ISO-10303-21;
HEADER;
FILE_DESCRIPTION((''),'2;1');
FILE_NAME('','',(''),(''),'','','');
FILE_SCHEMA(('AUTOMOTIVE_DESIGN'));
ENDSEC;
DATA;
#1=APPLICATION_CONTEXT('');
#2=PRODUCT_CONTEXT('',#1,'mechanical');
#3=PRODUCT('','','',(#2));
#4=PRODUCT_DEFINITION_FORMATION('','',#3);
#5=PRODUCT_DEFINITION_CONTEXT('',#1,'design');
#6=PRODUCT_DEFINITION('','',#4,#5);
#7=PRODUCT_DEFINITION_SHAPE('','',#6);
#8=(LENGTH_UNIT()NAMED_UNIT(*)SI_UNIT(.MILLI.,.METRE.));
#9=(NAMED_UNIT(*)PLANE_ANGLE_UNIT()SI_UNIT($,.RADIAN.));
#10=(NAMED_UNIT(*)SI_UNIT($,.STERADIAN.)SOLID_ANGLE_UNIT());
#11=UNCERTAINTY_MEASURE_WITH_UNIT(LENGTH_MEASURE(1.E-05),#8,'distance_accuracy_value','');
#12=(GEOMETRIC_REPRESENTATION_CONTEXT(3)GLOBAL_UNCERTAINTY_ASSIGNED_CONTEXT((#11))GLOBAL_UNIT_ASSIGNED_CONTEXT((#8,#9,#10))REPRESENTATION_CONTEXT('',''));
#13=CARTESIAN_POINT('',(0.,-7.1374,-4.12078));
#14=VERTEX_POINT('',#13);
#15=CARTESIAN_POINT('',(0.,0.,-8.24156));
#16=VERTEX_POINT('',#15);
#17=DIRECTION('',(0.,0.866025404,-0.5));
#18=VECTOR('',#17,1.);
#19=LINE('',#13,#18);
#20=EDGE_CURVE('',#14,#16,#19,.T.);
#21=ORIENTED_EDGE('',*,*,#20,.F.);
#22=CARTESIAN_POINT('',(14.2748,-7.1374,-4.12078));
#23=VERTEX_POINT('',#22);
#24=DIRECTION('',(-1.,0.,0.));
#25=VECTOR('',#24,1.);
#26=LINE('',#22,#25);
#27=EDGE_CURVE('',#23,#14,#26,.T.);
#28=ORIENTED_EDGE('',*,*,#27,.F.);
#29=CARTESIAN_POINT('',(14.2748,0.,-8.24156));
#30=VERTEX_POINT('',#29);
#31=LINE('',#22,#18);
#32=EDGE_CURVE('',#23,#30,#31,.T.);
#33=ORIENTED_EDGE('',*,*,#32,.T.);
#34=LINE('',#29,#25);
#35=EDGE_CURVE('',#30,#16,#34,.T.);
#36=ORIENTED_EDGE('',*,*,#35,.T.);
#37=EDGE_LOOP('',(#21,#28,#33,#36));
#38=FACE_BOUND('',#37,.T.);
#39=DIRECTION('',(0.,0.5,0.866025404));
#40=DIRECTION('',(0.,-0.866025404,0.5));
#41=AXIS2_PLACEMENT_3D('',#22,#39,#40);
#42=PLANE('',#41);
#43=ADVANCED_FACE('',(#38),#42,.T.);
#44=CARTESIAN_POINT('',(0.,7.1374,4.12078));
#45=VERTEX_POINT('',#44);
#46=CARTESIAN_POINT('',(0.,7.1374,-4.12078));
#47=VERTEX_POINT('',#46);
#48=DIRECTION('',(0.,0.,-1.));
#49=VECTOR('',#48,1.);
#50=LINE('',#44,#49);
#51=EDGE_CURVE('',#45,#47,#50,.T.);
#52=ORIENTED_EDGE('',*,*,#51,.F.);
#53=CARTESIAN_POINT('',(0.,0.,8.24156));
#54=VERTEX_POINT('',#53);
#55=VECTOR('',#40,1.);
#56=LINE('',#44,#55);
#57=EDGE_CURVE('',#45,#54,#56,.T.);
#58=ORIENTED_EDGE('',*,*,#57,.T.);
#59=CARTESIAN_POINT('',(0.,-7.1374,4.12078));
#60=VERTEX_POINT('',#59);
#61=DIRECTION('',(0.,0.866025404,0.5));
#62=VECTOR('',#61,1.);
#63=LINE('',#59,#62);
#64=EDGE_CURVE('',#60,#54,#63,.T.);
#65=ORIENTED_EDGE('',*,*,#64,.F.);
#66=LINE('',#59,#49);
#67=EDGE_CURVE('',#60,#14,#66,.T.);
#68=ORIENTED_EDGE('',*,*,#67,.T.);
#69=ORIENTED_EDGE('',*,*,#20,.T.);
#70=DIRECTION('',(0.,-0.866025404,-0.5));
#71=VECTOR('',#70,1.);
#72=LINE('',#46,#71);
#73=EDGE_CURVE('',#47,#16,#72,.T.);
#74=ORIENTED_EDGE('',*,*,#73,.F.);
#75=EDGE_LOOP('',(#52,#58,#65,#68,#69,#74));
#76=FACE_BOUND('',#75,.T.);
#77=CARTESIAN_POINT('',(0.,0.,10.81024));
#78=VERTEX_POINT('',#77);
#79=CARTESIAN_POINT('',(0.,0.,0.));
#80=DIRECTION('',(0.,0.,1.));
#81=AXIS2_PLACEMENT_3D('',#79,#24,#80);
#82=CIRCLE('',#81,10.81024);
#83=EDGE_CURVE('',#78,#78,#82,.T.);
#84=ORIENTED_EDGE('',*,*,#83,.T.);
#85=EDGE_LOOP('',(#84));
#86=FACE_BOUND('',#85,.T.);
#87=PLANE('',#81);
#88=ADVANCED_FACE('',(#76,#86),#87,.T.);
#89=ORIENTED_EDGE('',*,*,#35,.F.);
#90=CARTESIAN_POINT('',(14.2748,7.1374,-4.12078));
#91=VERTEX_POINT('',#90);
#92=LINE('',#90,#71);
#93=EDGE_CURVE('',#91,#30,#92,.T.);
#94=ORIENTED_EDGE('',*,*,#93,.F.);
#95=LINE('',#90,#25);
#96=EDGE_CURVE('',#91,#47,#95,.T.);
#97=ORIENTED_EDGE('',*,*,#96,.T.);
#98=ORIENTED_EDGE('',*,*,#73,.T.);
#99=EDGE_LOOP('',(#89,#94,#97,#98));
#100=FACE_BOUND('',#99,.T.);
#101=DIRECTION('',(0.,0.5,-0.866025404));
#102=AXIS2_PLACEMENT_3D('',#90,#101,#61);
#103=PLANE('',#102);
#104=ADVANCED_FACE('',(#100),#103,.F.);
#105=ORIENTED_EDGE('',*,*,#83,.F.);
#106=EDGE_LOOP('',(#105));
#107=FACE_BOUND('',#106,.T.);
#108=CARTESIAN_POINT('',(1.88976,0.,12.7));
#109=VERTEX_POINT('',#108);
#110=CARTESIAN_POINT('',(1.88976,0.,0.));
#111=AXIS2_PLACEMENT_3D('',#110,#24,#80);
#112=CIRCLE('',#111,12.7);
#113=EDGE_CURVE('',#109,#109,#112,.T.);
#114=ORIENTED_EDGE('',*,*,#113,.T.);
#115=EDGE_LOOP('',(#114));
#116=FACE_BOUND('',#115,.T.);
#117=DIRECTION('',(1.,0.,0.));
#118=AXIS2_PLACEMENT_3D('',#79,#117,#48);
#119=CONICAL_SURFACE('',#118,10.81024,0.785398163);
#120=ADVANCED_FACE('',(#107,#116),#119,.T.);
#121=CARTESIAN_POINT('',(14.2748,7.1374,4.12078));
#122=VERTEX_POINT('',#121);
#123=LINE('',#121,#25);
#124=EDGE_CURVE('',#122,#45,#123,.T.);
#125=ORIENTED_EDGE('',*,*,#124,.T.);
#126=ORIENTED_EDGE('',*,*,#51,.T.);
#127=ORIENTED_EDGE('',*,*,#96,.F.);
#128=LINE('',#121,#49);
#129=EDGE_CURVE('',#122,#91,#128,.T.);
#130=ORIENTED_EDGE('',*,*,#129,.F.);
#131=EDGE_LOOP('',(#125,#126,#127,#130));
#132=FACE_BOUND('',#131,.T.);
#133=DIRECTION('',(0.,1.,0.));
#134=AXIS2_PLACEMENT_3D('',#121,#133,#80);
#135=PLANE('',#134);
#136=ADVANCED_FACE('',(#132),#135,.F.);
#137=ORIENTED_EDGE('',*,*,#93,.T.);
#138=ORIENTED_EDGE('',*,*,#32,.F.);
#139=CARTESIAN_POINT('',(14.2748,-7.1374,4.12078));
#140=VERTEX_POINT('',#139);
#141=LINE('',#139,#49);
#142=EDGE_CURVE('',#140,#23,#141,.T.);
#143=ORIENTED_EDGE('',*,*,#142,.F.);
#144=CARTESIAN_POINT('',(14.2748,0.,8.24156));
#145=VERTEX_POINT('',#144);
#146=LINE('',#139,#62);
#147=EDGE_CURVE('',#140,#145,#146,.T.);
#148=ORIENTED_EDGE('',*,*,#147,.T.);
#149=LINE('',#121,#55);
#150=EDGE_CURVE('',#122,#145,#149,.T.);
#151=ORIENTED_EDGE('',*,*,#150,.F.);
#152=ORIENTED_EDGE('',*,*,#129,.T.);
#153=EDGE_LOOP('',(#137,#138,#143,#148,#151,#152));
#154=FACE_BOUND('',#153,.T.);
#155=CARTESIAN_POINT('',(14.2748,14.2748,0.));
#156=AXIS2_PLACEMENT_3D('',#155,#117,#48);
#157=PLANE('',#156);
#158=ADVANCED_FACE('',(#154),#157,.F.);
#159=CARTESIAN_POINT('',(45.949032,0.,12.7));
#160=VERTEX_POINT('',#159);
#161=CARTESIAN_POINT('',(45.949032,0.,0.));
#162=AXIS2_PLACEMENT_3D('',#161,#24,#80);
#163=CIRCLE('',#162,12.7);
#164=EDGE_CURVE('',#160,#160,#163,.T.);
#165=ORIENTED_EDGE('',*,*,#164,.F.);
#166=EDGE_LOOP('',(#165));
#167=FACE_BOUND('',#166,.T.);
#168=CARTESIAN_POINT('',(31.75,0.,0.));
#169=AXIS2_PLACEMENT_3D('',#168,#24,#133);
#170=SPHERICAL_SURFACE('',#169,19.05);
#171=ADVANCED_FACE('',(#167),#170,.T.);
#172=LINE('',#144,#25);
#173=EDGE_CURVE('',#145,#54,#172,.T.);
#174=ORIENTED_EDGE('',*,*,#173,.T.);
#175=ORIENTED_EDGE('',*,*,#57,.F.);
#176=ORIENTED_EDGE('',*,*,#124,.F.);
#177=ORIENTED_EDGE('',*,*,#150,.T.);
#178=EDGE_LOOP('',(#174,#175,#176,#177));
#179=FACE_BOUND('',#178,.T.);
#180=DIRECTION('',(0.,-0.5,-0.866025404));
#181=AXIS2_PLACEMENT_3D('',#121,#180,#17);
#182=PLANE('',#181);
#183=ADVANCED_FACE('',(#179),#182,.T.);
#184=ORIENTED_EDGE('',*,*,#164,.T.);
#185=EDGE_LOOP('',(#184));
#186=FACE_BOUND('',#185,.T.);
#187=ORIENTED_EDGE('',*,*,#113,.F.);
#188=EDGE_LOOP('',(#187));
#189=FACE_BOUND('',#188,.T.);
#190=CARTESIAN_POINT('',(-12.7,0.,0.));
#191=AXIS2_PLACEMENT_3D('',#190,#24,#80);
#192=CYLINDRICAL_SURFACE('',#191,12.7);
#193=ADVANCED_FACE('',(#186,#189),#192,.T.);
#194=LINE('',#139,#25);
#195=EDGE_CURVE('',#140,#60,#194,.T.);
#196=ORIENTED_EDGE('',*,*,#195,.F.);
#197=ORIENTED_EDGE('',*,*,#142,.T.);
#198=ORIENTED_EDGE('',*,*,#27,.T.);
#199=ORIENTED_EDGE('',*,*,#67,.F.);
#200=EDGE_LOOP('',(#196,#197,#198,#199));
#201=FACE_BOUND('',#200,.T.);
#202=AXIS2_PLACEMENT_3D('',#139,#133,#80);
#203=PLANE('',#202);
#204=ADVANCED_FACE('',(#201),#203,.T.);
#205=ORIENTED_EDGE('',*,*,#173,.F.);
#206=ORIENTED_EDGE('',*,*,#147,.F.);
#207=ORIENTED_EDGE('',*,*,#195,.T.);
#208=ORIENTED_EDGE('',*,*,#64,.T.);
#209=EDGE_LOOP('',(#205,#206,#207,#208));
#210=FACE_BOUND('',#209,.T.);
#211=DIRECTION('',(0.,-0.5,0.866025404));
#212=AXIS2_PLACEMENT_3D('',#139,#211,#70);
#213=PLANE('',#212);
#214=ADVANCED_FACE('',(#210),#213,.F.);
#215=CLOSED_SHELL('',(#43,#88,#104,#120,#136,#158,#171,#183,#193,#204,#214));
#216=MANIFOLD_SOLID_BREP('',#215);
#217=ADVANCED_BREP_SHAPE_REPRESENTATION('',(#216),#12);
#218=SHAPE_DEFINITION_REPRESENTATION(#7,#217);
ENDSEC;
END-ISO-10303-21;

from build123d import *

# Parameters (mm, degrees)
HEX_2_DEPTH = 14.2748


with BuildPart() as part:
    # BodySke → BaseBody (revolve)
    with BuildSketch(Plane.XY, mode=Mode.PRIVATE) as basebody_sk:
        with BuildLine():
            Line((0, 0), (0, 10.81024))
            Line((0, 10.81024), (1.88976, 12.7))
            Line((1.88976, 12.7), (45.949031657, 12.7))
            ThreePointArc((45.949031657, 12.7), (49.545983438, 6.79746081), (50.8, 0))
            Line((50.8, 0), (0, 0))
        make_face()
    revolve(basebody_sk.sketch.rotate(Axis((-12.7, 0, 0), (1, 0, 0)), 90), axis=Axis((-12.7, 0, 0), (1, 0, 0)))

    # Sketch2 → Hex 2 (cut)
    with BuildSketch(Plane.ZY):
        Polygon((4.120779811, 7.1374), (-4.120779811, 7.1374), (-8.241559623, 0), (-4.120779811, -7.1374), (4.120779811, -7.1374), (8.241559623, 0), align=None)
    extrude(amount=-HEX_2_DEPTH, mode=Mode.SUBTRACT)


solid = part.part
